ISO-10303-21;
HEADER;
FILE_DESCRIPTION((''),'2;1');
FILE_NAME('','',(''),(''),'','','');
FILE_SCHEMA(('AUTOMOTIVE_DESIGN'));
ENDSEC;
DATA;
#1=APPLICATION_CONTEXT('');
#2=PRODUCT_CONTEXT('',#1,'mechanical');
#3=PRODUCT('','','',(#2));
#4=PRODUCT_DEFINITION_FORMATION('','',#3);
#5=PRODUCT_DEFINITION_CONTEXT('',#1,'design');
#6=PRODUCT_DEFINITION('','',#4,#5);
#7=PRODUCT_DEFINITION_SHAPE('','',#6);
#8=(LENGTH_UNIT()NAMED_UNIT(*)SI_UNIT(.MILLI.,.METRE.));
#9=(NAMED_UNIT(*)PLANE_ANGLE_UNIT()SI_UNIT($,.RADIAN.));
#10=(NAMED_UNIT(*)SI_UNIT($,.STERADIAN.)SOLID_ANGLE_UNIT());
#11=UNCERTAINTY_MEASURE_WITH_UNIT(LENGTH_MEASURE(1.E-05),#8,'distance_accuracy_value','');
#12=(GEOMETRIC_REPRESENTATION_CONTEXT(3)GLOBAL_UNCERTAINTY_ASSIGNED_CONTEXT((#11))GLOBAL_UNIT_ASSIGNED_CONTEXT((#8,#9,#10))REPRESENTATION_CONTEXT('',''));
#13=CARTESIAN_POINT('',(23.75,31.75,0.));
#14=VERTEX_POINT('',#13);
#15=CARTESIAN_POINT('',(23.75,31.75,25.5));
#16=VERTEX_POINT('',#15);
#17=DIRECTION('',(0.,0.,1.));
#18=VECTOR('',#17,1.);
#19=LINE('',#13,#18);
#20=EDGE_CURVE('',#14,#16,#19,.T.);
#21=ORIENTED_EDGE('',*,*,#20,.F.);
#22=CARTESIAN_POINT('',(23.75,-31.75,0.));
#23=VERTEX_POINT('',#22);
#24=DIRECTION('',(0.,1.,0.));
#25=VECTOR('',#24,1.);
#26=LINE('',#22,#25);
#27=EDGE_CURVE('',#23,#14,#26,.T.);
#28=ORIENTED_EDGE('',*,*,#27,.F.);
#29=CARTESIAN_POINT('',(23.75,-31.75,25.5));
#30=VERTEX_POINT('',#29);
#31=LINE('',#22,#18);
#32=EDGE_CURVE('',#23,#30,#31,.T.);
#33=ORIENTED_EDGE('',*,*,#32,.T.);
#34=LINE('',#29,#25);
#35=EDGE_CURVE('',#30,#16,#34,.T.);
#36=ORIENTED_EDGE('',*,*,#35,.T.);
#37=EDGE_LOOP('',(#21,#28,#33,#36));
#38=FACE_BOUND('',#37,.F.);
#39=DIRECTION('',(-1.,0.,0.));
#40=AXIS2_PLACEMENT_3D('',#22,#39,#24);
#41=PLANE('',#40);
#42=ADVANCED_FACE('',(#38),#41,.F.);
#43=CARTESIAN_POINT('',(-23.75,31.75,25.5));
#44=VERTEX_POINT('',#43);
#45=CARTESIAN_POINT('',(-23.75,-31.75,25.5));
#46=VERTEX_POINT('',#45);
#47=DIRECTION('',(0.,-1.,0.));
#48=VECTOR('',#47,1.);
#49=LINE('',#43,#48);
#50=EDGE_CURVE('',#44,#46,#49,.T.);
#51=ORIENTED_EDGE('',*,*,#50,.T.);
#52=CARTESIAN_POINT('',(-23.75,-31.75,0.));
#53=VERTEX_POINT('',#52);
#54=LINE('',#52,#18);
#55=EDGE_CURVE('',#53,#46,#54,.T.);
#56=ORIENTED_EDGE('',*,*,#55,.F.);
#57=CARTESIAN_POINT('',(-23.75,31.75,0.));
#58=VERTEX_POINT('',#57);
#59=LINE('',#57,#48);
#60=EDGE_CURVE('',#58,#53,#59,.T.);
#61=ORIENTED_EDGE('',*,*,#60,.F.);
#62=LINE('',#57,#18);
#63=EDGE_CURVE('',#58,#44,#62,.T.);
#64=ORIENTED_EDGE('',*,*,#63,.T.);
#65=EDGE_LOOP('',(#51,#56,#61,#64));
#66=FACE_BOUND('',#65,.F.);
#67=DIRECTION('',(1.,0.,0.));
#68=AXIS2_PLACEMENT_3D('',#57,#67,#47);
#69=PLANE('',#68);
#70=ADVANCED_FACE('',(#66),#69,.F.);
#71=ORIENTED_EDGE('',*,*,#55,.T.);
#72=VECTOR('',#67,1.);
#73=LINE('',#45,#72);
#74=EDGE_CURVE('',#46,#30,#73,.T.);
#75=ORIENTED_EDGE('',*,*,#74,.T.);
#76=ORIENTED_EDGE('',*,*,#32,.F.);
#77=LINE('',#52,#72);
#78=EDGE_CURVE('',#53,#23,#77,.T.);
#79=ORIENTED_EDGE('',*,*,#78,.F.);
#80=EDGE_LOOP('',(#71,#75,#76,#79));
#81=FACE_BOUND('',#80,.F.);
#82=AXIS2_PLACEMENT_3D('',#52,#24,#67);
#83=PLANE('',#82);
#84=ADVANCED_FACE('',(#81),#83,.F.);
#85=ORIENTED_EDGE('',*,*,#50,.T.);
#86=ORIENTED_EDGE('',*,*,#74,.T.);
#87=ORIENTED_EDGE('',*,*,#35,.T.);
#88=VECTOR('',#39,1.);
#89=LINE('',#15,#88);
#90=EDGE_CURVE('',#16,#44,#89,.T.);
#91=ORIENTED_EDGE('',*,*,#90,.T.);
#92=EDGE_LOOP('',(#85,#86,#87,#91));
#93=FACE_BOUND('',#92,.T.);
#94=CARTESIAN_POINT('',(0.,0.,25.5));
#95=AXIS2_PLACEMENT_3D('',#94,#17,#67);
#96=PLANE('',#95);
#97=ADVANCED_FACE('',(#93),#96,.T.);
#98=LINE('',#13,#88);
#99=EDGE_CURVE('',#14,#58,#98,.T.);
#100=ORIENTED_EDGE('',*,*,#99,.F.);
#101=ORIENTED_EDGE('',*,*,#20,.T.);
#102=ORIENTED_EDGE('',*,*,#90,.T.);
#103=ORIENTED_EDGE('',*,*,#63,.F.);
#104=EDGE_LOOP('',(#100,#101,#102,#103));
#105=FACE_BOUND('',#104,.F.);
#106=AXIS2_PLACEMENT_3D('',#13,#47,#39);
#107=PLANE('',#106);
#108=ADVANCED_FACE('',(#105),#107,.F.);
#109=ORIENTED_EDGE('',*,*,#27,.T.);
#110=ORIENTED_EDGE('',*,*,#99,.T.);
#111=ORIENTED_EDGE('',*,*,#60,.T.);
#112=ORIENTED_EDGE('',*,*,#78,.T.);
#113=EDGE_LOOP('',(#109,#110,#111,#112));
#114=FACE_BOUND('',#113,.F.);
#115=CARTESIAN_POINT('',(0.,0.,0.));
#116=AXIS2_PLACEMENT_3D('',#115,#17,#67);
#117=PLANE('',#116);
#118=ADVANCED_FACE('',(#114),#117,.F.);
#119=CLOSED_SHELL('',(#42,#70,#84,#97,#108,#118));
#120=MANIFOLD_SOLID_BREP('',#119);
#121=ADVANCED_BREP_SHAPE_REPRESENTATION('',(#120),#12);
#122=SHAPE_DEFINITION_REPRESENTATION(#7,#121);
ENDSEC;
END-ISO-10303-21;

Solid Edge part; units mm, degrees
sketch "Sketch1" plane through (0, 0, 0) normal (0, 0, 1) x (1, 0, 0)
  line L0 (23.75, -31.75) -> (23.75, 31.75)
  line L1 (23.75, 31.75) -> (-23.75, 31.75)
  line L2 (-23.75, 31.75) -> (-23.75, -31.75)
  line L3 (-23.75, -31.75) -> (23.75, -31.75)
extrude "Protrusion1" add sketch "Sketch1" along normal blind 25.5
